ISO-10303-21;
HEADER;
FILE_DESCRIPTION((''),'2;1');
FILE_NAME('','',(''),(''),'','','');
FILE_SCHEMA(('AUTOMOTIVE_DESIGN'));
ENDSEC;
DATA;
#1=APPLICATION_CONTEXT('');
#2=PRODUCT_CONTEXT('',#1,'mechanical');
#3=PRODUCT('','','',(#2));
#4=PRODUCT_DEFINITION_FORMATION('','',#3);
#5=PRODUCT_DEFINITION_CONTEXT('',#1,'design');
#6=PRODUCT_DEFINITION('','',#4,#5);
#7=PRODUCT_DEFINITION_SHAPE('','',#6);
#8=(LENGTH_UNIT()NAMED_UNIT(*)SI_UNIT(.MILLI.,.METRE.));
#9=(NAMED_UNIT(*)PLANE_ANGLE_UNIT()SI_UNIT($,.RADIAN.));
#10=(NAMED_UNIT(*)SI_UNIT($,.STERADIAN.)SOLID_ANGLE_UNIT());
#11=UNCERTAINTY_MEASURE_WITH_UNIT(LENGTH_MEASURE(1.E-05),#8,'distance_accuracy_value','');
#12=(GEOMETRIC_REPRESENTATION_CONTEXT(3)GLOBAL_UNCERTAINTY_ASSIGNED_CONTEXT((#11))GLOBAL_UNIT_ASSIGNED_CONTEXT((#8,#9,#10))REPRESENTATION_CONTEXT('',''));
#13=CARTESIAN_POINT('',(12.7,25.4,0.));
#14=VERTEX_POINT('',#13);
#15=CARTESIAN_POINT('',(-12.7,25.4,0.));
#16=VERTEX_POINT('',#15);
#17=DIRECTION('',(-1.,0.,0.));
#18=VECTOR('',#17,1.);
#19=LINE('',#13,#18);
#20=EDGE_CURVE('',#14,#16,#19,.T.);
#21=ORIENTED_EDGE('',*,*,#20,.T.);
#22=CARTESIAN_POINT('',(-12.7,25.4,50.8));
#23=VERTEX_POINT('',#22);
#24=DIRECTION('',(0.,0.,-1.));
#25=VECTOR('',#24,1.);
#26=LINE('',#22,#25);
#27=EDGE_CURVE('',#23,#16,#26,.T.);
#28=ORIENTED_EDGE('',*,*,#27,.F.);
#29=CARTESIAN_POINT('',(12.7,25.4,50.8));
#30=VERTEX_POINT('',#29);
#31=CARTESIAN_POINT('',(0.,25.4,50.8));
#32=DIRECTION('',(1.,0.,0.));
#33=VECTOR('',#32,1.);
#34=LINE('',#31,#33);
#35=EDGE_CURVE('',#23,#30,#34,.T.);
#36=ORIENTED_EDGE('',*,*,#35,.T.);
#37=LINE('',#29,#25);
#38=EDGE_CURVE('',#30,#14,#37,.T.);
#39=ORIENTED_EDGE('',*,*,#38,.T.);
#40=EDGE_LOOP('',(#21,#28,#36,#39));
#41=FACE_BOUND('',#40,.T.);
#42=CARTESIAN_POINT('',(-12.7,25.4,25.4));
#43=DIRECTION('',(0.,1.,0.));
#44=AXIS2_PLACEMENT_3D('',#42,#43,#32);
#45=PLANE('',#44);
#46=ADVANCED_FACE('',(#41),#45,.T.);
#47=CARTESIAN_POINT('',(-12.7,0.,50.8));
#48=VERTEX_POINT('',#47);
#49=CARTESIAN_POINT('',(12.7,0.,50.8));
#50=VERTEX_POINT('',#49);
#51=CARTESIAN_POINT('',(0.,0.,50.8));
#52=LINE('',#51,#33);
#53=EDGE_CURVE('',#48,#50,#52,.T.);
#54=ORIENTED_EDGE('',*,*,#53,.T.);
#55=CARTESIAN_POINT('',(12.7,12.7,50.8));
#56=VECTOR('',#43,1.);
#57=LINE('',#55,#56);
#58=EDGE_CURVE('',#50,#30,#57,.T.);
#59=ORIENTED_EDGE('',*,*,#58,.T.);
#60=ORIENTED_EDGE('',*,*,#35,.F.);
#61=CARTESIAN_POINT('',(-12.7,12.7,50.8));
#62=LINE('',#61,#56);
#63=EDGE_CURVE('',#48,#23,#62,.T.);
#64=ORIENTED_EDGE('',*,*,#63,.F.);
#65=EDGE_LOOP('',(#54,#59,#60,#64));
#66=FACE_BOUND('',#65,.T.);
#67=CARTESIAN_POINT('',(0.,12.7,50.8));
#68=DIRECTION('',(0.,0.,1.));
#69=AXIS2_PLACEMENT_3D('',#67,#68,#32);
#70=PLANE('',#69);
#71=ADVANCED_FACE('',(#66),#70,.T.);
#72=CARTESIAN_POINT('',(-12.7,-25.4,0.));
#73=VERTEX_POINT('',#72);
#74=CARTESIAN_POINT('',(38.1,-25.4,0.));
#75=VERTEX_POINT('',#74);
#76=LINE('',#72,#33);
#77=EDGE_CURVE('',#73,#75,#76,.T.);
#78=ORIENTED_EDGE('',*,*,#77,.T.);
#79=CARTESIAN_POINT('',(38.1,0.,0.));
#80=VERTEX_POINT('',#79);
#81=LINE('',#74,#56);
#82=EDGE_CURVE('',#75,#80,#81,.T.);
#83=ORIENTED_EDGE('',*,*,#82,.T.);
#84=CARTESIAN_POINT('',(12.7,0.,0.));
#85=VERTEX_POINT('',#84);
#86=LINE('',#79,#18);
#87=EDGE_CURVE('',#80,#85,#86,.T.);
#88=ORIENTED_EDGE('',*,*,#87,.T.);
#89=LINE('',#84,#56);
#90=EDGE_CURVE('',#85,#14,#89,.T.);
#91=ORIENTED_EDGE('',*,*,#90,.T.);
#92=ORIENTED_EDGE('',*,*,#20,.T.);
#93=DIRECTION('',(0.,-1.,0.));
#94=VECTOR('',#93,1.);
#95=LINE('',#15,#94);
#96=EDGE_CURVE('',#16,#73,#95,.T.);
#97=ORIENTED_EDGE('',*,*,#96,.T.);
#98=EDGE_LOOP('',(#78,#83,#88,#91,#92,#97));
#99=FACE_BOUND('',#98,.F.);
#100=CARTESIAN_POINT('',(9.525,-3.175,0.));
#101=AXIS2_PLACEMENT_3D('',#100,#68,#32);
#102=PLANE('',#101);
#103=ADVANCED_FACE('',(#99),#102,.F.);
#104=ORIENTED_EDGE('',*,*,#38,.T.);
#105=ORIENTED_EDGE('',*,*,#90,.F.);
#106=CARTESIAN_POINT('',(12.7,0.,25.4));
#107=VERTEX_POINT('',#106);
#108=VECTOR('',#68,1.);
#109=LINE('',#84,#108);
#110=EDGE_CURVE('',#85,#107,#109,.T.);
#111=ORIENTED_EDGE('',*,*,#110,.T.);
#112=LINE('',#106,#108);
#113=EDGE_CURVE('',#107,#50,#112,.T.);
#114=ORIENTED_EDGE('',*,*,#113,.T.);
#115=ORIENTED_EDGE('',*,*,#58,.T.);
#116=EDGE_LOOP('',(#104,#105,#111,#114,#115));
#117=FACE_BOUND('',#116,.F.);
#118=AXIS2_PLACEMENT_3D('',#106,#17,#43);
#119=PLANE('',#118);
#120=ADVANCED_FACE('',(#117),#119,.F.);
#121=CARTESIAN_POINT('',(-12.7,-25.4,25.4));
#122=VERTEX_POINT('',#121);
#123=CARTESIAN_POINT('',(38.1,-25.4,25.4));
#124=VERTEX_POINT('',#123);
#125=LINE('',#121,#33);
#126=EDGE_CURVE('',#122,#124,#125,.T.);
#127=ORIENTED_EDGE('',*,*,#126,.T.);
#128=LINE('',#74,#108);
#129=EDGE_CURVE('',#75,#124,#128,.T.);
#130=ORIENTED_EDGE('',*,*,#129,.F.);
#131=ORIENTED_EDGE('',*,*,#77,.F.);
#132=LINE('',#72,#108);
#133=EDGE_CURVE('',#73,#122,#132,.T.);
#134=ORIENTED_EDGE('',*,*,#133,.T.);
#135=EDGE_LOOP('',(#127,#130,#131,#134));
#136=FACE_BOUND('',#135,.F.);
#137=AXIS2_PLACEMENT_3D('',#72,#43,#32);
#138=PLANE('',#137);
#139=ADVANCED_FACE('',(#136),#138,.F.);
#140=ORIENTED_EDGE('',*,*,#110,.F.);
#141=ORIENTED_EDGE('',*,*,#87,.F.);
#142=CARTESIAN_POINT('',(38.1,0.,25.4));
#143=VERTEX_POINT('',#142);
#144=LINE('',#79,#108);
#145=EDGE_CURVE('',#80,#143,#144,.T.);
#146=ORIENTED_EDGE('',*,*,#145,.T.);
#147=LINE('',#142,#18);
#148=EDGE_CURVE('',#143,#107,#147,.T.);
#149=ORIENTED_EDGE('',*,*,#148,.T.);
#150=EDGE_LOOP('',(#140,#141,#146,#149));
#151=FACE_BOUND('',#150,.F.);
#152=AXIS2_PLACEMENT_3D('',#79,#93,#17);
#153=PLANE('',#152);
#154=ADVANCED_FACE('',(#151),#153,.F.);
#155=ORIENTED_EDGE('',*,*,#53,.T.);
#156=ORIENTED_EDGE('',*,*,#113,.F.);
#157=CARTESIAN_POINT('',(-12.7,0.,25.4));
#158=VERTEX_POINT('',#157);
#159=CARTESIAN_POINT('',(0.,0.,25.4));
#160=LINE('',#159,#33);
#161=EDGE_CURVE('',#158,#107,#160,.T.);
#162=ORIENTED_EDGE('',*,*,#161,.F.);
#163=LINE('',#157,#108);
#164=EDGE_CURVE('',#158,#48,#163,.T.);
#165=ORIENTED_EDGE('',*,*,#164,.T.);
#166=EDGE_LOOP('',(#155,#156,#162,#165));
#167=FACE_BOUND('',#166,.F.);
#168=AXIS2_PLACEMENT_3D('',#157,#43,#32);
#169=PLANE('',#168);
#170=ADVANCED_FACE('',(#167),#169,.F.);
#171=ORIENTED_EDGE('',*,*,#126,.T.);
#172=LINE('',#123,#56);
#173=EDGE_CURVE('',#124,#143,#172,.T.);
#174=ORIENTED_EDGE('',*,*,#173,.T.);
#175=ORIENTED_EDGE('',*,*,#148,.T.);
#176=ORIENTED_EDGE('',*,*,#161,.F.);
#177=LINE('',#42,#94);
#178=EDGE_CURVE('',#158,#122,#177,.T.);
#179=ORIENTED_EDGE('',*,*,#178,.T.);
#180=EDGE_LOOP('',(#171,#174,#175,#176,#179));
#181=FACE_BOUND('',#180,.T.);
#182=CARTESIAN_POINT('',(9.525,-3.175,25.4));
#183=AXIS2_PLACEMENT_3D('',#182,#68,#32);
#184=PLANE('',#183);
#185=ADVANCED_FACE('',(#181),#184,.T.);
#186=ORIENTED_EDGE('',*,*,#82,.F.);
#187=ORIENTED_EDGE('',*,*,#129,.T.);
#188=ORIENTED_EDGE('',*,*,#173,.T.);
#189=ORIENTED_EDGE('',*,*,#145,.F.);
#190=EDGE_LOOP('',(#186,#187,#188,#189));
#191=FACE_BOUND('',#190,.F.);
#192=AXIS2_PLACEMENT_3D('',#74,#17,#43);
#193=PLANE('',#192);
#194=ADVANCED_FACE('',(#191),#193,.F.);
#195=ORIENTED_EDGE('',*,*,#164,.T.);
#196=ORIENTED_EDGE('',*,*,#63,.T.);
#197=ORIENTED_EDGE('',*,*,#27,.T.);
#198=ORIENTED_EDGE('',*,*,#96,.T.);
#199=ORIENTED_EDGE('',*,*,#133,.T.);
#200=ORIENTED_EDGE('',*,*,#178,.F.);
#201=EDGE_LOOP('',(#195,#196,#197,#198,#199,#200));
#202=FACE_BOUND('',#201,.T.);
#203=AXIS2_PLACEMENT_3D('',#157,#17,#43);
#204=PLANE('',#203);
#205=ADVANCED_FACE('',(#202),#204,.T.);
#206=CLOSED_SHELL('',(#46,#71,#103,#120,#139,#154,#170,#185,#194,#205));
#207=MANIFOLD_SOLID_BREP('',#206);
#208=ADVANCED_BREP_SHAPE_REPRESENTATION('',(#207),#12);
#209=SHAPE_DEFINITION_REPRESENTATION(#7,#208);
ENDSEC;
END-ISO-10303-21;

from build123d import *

# Parameters (mm, degrees)
F1_DEPTH = 25.4
F2_W     = 25.4
F2_H     = 25.4
F3_DEPTH = 25.4


with BuildPart() as f1:
    # F0 (on Top) → F1 (new body)
    with BuildSketch(Plane.XY):
        Polygon((-12.7, -25.4), (12.7, -25.4), (38.1, -25.4), (38.1, 0), (12.7, 0), (12.7, 25.4), (-12.7, 25.4), align=None)
    extrude(amount=F1_DEPTH)

    # F2 (on face) → F3 (join)
    with BuildSketch(Plane.XY.offset(25.4)):
        with Locations((0, 12.7)):
            Rectangle(F2_W, F2_H)
    extrude(amount=F3_DEPTH)


solid = f1.part
